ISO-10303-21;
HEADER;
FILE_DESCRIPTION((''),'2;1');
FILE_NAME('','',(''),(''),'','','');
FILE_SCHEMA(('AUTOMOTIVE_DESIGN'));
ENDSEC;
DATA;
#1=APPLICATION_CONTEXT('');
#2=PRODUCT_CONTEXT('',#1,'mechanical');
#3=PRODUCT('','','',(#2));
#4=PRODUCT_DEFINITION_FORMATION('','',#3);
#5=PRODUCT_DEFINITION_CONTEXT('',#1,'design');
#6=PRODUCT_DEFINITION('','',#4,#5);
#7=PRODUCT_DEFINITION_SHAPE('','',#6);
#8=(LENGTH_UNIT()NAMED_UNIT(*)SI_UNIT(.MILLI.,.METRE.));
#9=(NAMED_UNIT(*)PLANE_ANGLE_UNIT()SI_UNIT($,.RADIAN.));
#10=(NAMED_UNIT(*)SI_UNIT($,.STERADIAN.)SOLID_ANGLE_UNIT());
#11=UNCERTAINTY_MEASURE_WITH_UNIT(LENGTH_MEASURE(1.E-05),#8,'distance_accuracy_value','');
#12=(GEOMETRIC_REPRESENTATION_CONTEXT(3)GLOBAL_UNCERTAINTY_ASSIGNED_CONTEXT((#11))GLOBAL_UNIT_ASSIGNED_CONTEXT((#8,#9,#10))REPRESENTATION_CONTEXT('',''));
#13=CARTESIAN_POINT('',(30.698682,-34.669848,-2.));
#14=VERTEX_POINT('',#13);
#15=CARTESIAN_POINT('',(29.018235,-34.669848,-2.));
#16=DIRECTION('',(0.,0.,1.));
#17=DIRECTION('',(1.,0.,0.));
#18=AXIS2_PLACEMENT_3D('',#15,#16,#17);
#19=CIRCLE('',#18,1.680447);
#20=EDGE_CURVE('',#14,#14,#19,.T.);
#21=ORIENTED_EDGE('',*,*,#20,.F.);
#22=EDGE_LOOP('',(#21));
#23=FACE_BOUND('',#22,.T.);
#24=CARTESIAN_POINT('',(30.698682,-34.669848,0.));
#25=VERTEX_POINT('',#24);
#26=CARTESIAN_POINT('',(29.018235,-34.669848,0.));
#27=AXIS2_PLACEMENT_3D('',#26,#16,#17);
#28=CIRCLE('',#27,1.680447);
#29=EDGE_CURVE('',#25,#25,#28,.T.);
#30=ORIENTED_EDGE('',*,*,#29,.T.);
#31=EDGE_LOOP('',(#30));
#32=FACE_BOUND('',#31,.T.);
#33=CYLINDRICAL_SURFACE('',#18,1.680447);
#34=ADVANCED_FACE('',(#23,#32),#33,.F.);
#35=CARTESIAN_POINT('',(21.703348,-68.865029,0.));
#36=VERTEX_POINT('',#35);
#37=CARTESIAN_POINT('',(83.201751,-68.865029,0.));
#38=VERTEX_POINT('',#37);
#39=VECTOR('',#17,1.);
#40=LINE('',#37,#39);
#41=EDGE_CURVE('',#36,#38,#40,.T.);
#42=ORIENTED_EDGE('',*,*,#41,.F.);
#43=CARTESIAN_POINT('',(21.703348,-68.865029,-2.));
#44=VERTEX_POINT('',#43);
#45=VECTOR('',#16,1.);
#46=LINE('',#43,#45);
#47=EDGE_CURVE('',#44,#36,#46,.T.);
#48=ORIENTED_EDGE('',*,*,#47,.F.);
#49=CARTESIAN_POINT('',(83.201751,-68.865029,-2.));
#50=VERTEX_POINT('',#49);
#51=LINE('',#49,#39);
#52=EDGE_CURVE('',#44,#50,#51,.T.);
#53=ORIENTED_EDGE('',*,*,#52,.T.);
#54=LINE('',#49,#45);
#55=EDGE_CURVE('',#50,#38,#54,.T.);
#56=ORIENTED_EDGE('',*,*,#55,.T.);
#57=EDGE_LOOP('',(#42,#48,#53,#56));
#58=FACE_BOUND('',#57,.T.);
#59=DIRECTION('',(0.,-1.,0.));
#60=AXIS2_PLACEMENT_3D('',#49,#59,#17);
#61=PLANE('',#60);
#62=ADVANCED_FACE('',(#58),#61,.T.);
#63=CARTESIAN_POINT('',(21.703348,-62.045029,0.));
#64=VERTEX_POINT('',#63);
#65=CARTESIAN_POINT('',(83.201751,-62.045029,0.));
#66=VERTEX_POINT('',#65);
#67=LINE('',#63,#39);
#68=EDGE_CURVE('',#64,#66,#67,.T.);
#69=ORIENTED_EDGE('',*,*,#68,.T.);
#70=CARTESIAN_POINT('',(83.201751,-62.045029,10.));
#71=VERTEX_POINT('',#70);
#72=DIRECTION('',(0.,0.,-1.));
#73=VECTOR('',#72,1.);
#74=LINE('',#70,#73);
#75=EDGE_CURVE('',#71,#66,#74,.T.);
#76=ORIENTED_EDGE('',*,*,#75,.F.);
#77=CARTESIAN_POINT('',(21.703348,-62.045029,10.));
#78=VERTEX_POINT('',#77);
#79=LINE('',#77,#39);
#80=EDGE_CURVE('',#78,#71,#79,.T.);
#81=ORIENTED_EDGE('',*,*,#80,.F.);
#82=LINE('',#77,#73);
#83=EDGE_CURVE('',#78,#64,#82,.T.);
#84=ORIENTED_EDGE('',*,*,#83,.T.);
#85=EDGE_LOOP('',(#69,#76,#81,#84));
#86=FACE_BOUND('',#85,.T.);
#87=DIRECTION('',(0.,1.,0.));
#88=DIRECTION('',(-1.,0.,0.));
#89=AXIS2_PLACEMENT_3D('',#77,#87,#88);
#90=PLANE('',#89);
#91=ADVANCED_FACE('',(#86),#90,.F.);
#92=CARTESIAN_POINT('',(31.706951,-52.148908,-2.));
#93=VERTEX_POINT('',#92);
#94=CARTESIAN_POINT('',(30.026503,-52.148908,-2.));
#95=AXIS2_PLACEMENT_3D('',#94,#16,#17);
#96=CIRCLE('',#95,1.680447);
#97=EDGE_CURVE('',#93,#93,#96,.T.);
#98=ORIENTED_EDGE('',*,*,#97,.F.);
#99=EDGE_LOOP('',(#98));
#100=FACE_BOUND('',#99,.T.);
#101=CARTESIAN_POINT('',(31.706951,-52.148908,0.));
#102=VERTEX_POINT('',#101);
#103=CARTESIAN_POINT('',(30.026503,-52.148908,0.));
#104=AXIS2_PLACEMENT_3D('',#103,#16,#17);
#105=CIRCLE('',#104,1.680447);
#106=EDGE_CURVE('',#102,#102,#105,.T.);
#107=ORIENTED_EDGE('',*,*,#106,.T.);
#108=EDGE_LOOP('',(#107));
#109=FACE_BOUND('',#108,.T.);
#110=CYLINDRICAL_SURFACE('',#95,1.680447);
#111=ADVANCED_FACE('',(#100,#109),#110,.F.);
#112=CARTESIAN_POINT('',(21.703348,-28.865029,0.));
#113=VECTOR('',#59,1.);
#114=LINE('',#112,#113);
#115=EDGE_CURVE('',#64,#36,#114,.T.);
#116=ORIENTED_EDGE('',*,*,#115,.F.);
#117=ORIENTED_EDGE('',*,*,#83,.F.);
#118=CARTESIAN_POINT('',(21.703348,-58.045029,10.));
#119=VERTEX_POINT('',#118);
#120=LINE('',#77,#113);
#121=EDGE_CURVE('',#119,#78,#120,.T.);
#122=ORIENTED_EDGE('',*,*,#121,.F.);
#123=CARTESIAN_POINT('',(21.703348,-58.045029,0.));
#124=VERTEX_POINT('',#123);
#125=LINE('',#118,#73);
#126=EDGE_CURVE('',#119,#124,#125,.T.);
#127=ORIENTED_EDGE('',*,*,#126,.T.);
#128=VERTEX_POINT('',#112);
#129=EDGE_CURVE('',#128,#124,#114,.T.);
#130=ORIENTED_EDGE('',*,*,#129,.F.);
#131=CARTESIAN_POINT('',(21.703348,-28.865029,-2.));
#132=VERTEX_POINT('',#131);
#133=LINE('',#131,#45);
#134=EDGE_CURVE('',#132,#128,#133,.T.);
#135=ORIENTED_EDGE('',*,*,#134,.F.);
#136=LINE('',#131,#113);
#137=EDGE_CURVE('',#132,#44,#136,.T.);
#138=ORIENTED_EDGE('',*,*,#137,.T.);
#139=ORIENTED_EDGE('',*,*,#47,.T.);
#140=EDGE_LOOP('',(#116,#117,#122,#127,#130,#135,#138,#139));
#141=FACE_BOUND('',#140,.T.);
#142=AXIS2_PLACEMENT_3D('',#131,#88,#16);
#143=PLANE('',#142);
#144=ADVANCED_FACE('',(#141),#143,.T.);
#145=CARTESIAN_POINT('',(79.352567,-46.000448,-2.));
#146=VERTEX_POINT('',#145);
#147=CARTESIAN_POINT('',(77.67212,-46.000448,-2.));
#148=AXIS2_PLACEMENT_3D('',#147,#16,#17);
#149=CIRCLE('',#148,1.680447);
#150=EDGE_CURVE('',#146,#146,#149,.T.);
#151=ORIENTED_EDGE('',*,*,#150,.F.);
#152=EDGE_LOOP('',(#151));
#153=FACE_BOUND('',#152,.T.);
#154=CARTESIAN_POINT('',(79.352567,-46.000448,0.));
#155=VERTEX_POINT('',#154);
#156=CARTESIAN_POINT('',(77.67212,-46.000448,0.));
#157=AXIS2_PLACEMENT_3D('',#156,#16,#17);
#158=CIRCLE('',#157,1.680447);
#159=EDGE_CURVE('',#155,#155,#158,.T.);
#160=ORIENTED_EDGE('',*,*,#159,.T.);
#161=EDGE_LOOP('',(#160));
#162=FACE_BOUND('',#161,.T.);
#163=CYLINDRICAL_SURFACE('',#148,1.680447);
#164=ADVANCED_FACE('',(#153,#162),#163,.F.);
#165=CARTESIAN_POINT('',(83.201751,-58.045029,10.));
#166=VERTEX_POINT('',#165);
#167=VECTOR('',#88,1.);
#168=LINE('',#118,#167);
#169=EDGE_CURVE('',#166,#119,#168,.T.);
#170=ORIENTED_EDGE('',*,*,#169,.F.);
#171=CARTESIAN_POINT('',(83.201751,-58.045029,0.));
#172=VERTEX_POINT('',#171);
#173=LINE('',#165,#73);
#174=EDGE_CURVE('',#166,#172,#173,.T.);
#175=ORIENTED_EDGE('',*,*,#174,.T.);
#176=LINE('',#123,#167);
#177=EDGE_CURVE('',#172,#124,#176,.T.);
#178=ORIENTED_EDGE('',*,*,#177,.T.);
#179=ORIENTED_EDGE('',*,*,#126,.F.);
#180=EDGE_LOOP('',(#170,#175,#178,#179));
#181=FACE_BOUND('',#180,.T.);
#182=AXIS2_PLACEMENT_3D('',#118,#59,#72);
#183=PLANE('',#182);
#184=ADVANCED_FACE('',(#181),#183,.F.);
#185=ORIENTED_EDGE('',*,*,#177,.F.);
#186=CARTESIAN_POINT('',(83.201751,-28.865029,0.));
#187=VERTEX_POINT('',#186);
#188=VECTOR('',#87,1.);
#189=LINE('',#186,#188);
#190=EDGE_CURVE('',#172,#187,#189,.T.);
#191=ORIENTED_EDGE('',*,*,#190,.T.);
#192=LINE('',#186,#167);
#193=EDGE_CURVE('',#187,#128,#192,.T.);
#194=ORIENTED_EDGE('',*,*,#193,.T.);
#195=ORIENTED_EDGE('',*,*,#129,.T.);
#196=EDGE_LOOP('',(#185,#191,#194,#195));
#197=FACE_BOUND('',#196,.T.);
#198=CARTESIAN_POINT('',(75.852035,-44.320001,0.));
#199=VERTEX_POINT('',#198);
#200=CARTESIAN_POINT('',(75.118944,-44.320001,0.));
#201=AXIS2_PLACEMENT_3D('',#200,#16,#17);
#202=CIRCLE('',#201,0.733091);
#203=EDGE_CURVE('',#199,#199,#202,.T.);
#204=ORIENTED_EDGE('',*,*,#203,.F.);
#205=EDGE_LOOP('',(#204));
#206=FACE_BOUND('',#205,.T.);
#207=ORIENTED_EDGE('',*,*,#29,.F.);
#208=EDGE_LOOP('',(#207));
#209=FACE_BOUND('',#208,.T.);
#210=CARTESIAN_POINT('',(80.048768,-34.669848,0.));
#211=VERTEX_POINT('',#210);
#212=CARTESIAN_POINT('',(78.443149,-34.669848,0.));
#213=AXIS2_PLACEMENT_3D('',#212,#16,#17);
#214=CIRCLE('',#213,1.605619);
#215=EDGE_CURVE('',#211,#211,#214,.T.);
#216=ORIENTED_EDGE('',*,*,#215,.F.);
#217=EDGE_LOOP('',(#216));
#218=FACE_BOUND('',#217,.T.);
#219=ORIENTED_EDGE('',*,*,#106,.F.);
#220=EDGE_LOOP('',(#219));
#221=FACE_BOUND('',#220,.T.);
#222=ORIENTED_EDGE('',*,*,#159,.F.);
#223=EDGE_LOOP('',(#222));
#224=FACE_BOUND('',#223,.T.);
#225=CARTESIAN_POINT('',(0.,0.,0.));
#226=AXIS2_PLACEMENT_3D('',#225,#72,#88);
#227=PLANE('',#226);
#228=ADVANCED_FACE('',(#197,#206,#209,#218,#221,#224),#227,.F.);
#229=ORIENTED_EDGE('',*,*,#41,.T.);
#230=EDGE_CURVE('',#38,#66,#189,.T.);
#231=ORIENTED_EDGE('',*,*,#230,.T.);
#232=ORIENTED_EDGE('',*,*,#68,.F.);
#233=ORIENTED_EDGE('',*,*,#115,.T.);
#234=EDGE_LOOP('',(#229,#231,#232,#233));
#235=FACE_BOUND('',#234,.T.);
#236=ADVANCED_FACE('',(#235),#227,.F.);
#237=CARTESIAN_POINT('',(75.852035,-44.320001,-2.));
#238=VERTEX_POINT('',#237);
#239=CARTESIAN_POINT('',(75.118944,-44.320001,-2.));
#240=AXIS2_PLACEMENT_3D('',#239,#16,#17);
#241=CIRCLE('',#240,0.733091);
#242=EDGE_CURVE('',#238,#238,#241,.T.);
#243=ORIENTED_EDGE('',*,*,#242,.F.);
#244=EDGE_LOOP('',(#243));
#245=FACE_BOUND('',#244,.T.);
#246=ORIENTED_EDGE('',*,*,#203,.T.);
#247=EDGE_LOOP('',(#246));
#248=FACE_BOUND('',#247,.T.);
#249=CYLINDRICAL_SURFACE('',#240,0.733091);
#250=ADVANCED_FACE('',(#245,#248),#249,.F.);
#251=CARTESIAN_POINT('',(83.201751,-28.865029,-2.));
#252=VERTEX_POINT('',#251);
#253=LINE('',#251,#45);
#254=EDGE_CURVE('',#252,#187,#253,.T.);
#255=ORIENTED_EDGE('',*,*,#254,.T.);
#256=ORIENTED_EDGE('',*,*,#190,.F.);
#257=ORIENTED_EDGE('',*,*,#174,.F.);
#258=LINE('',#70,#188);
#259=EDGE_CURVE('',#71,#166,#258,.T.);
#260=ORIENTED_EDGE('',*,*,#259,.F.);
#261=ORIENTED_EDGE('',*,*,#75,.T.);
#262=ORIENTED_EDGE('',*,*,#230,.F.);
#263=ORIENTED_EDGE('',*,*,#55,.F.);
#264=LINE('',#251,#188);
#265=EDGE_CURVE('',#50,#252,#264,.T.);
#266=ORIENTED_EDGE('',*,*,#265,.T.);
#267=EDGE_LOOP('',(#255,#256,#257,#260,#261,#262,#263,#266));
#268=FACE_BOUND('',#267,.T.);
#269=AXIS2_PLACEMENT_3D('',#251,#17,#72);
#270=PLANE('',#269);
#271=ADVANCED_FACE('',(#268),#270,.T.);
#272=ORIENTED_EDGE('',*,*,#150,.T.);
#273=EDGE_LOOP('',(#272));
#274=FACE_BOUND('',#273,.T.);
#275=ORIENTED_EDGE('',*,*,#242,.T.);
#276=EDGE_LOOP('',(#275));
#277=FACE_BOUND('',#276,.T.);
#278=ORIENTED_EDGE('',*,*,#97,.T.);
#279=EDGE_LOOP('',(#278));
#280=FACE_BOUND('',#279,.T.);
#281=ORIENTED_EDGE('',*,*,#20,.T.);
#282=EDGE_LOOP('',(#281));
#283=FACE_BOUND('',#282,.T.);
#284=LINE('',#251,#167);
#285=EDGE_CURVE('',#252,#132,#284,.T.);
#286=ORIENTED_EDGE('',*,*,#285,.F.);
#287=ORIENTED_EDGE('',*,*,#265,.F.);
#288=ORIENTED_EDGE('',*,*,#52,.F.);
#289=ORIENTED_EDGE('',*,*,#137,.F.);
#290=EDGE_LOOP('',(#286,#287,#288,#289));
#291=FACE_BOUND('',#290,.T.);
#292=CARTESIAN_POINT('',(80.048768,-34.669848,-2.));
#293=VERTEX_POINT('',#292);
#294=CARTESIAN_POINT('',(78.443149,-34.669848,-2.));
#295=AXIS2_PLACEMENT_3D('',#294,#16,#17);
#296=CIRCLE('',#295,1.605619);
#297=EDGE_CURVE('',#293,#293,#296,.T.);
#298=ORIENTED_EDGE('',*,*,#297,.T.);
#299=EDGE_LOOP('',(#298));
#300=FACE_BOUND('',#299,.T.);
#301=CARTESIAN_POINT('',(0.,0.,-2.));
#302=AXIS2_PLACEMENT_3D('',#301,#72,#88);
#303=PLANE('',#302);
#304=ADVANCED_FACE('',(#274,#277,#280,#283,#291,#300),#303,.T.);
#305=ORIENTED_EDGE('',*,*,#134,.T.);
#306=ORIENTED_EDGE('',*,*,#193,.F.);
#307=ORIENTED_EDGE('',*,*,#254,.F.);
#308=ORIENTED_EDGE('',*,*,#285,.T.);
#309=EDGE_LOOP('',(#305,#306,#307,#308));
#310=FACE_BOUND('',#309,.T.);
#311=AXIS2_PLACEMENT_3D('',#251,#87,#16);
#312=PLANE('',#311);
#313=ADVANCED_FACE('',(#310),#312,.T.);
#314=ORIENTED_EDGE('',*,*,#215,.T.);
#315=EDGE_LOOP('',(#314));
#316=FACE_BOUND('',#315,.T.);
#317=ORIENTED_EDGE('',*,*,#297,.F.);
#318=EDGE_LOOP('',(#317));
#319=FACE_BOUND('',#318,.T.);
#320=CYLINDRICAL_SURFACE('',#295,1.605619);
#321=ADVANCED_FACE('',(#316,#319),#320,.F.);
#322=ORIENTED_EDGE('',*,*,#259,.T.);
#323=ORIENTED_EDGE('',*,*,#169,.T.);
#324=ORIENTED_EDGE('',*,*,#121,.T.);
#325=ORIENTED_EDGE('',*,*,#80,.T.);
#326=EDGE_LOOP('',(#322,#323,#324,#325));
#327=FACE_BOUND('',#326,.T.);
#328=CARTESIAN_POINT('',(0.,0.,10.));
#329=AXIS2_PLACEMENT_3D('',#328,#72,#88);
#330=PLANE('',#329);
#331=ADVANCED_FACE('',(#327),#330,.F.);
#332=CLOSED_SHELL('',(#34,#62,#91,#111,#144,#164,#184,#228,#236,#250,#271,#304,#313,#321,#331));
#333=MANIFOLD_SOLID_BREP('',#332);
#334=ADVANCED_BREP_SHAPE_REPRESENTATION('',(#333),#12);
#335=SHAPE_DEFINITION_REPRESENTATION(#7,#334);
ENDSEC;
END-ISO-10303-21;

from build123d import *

# Parameters (mm, degrees)
ESQUISSE14_W       = 61.498402753
ESQUISSE14_H       = 40
ESQUISSE14_R       = 1.605618906
ESQUISSE14_R_2     = 1.680447067
ESQUISSE14_R_3     = 0.733091197
BOSS_EXTRU_1_DEPTH = 2
ESQUISSE15_W       = 61.498402753
ESQUISSE15_H       = 4
BOSS_EXTRU_2_DEPTH = 10


with BuildPart() as part:
    # Esquisse14 → Boss.-Extru.1 (new body)
    with BuildSketch(Plane.XY):
        with Locations((52.452549346, -48.865029397)):
            Rectangle(ESQUISSE14_W, ESQUISSE14_H)
        with Locations((78.443148937, -34.669848165)):
            Circle(ESQUISSE14_R, mode=Mode.SUBTRACT)
        with Locations((77.672120282, -46.000448366)):
            Circle(ESQUISSE14_R_2, mode=Mode.SUBTRACT)
        with Locations((29.018235202, -34.669848165)):
            Circle(ESQUISSE14_R_2, mode=Mode.SUBTRACT)
        with Locations((30.026503442, -52.148907634)):
            Circle(ESQUISSE14_R_2, mode=Mode.SUBTRACT)
        with Locations((75.118944162, -44.320001299)):
            Circle(ESQUISSE14_R_3, mode=Mode.SUBTRACT)
    extrude(amount=-BOSS_EXTRU_1_DEPTH)

    # Esquisse15 → Boss.-Extru.2 (add)
    with BuildSketch(Plane.XY):
        with Locations((52.452549346, -60.045029397)):
            Rectangle(ESQUISSE15_W, ESQUISSE15_H)
    extrude(amount=BOSS_EXTRU_2_DEPTH)


solid = part.part
